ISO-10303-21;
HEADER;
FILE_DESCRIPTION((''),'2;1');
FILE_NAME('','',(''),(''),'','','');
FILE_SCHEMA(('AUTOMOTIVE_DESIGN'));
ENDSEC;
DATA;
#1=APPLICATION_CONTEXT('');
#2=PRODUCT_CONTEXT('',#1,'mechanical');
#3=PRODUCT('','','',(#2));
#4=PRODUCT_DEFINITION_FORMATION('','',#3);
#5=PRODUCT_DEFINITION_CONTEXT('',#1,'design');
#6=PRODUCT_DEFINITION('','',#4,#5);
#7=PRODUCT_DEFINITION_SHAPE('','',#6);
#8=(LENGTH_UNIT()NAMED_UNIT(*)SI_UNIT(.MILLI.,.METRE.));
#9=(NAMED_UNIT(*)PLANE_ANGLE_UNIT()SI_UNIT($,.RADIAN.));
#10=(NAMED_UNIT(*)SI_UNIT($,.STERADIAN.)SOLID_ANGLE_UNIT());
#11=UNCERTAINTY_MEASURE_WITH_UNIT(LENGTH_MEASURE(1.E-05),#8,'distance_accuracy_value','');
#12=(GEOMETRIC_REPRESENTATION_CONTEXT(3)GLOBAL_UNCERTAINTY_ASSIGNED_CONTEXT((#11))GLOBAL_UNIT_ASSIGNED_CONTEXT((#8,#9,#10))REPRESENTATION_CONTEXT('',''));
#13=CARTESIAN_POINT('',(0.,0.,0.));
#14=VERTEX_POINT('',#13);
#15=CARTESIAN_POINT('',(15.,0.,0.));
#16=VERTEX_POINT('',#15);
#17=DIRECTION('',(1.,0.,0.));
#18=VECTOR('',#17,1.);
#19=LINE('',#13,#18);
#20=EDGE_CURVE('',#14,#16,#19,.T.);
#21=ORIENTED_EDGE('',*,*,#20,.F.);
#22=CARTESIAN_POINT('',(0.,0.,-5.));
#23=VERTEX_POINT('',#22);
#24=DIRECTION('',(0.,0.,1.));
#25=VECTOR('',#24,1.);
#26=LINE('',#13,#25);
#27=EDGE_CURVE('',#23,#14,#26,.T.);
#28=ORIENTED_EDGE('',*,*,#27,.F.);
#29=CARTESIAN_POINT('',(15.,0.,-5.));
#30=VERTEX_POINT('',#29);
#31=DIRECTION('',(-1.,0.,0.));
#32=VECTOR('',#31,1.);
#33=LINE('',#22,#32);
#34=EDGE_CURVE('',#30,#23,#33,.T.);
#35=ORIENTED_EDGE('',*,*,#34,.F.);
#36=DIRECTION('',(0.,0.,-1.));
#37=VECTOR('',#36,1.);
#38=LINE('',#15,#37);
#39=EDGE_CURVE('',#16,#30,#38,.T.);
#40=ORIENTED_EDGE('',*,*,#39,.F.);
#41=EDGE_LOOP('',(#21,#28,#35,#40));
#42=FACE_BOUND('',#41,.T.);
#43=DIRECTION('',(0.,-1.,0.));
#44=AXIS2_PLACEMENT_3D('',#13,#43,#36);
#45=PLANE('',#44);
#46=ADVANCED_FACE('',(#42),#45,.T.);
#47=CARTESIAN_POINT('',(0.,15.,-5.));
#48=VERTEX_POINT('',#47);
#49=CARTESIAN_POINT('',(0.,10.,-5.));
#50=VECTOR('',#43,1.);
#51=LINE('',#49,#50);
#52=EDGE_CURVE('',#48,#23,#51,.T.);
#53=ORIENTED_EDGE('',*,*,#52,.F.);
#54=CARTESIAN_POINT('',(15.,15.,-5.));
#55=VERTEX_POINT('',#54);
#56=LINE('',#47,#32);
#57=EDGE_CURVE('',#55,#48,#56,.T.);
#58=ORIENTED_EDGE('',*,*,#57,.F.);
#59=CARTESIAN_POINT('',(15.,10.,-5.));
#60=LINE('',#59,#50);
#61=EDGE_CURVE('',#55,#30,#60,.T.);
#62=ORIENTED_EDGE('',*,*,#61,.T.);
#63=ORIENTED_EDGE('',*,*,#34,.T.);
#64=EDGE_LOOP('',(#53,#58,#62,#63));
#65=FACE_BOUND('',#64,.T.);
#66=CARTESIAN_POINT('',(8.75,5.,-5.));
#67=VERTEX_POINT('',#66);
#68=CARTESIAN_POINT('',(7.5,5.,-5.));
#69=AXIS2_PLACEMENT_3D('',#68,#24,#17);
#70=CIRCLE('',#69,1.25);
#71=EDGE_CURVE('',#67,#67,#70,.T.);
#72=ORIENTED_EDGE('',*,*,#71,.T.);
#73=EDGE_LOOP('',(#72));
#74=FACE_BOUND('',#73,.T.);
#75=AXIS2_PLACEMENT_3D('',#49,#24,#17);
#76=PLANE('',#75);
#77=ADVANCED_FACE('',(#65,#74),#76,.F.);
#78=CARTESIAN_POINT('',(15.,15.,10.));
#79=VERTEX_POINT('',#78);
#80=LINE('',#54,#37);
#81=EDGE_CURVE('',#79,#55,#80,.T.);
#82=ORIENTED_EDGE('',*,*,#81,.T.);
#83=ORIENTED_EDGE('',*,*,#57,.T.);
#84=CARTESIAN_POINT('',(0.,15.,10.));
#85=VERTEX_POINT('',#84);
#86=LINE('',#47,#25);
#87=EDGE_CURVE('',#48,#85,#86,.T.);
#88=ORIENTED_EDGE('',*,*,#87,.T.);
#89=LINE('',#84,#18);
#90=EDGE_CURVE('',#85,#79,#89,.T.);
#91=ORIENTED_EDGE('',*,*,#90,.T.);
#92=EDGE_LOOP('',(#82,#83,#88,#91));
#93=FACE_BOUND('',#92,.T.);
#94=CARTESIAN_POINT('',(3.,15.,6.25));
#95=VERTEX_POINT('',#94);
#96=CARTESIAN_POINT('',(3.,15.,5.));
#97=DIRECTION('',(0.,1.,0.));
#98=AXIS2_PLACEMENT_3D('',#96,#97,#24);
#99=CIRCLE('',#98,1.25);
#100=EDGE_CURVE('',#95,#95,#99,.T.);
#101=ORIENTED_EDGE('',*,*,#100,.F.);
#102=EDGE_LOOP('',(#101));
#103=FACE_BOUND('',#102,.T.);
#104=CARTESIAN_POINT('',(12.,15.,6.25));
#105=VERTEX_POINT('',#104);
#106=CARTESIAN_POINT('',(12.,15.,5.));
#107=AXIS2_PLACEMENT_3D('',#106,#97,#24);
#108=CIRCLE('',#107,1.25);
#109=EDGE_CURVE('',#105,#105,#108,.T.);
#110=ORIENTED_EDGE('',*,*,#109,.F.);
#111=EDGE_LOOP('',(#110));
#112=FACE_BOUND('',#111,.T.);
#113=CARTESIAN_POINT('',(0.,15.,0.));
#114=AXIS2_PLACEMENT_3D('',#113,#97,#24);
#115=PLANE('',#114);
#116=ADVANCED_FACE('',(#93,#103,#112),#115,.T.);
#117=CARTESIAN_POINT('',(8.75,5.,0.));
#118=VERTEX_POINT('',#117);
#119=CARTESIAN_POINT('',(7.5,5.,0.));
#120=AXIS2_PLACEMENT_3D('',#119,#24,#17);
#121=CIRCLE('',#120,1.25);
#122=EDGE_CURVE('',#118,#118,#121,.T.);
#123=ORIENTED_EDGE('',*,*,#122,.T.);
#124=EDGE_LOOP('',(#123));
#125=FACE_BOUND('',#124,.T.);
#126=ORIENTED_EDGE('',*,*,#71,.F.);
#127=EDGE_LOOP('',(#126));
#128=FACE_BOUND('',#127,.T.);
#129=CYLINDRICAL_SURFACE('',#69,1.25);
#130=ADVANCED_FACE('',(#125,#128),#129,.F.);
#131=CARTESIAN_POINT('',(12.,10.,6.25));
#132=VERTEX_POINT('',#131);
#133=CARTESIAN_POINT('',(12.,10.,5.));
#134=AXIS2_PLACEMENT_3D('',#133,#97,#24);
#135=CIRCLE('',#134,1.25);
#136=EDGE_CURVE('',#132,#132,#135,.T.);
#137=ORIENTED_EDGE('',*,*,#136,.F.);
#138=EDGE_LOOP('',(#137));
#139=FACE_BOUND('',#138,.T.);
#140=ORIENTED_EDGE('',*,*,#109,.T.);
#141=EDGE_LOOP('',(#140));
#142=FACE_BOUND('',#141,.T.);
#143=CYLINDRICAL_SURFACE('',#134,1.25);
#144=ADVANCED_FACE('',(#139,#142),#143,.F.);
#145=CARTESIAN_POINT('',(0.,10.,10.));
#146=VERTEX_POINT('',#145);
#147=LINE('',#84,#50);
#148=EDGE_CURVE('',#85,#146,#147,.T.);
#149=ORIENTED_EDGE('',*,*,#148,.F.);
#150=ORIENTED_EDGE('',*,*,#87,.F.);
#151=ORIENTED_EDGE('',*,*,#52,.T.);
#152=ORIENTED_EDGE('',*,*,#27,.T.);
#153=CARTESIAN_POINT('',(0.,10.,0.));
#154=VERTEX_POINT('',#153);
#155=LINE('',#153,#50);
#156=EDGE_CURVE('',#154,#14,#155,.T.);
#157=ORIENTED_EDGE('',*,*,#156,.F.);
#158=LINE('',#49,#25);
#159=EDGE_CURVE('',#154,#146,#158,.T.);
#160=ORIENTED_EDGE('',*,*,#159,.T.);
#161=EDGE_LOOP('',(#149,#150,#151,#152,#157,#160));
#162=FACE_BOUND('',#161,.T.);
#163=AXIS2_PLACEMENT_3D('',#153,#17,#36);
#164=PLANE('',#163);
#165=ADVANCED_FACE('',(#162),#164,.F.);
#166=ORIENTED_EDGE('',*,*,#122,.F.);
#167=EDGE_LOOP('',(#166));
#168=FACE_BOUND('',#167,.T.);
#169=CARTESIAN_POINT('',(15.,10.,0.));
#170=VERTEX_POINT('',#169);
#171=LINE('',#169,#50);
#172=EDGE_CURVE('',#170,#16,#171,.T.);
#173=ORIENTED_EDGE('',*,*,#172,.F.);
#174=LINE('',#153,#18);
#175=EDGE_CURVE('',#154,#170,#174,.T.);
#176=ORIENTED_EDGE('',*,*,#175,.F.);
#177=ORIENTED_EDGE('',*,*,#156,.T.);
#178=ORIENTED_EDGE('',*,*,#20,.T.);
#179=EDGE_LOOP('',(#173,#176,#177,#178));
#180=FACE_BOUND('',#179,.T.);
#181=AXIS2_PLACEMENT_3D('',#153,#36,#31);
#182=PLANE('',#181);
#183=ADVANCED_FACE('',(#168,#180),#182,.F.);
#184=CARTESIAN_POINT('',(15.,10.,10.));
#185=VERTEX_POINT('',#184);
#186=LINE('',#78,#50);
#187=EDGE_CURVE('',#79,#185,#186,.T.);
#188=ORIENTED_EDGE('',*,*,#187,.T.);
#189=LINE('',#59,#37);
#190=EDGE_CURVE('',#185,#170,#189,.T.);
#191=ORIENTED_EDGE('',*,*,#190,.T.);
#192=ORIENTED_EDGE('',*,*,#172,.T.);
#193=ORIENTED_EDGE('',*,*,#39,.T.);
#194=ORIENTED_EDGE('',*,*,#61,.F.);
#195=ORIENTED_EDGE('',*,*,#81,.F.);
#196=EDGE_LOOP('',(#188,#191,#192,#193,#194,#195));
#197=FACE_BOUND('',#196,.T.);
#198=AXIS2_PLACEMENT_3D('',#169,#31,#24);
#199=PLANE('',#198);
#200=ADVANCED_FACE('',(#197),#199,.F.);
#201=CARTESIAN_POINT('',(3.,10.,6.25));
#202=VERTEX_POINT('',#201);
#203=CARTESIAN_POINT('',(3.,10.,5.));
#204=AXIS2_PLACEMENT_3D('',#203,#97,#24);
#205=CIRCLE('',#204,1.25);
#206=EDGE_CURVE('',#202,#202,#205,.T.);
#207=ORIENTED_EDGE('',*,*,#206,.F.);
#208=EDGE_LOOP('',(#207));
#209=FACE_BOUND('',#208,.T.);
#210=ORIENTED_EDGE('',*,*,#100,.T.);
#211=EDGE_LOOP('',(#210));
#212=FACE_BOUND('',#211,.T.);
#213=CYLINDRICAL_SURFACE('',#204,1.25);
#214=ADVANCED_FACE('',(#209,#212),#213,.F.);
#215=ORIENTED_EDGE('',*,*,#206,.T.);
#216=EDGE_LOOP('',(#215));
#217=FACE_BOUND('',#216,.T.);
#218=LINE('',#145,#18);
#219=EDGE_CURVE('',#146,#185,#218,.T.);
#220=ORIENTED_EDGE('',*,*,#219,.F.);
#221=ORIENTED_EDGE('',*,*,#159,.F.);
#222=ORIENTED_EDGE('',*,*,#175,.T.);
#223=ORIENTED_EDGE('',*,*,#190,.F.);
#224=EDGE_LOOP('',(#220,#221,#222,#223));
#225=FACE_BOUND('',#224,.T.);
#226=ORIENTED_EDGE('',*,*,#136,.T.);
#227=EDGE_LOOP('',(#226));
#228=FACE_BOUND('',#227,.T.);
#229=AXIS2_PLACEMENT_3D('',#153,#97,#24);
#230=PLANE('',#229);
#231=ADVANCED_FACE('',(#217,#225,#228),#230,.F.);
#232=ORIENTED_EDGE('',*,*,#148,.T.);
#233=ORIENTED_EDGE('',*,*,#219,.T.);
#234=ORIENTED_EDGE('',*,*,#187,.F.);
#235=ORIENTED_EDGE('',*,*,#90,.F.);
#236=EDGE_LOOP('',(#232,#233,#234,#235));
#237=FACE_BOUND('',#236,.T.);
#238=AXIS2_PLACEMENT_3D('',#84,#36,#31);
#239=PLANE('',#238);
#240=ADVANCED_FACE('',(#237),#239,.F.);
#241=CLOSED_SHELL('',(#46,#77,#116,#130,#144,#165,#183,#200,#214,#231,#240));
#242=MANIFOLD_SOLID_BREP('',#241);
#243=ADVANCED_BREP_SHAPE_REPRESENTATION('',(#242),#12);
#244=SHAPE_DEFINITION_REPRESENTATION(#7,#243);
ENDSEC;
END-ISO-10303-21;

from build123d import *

# Parameters (mm, degrees)
SKETCH_1_W          = 15
SKETCH_1_H          = 5
EXTRUDE_1_DEPTH     = 10
SKETCH_2_W          = 15
SKETCH_2_H          = 15
EXTRUDE_2_DEPTH     = 5
SKETCH_3_R          = 1.25
CUT_EXTRUDE_1_DEPTH = 6
SKETCH_4_R          = 1.25
CUT_EXTRUDE_2_DEPTH = 5


with BuildPart() as part:
    # 草图1 → 凸台-拉伸1 (new body)
    with BuildSketch(Plane(origin=(0, 0, 0), x_dir=(1, 0, 0), z_dir=(0, 1, 0))):
        with Locations((7.5, 2.5)):
            Rectangle(SKETCH_1_W, SKETCH_1_H)
    extrude(amount=EXTRUDE_1_DEPTH)

    # 草图2 → 凸台-拉伸2 (add)
    with BuildSketch(Plane(origin=(0, 10, 0), x_dir=(1, 0, 0), z_dir=(0, 1, 0))):
        with Locations((7.5, -2.5)):
            Rectangle(SKETCH_2_W, SKETCH_2_H)
    extrude(amount=EXTRUDE_2_DEPTH)

    # 草图3 → 切除-拉伸1 (cut, through all)
    with BuildSketch(Plane.XY):
        with Locations((7.5, 5)):
            Circle(SKETCH_3_R)
    extrude(amount=-CUT_EXTRUDE_1_DEPTH, mode=Mode.SUBTRACT)

    # 草图4 → 切除-拉伸2 (cut)
    with BuildSketch(Plane(origin=(0, 15, 0), x_dir=(1, 0, 0), z_dir=(0, 1, 0))):
        with Locations((3, -5)):
            Circle(SKETCH_4_R)
        with Locations((12, -5)):
            Circle(SKETCH_4_R)
    extrude(amount=-CUT_EXTRUDE_2_DEPTH, mode=Mode.SUBTRACT)


solid = part.part
